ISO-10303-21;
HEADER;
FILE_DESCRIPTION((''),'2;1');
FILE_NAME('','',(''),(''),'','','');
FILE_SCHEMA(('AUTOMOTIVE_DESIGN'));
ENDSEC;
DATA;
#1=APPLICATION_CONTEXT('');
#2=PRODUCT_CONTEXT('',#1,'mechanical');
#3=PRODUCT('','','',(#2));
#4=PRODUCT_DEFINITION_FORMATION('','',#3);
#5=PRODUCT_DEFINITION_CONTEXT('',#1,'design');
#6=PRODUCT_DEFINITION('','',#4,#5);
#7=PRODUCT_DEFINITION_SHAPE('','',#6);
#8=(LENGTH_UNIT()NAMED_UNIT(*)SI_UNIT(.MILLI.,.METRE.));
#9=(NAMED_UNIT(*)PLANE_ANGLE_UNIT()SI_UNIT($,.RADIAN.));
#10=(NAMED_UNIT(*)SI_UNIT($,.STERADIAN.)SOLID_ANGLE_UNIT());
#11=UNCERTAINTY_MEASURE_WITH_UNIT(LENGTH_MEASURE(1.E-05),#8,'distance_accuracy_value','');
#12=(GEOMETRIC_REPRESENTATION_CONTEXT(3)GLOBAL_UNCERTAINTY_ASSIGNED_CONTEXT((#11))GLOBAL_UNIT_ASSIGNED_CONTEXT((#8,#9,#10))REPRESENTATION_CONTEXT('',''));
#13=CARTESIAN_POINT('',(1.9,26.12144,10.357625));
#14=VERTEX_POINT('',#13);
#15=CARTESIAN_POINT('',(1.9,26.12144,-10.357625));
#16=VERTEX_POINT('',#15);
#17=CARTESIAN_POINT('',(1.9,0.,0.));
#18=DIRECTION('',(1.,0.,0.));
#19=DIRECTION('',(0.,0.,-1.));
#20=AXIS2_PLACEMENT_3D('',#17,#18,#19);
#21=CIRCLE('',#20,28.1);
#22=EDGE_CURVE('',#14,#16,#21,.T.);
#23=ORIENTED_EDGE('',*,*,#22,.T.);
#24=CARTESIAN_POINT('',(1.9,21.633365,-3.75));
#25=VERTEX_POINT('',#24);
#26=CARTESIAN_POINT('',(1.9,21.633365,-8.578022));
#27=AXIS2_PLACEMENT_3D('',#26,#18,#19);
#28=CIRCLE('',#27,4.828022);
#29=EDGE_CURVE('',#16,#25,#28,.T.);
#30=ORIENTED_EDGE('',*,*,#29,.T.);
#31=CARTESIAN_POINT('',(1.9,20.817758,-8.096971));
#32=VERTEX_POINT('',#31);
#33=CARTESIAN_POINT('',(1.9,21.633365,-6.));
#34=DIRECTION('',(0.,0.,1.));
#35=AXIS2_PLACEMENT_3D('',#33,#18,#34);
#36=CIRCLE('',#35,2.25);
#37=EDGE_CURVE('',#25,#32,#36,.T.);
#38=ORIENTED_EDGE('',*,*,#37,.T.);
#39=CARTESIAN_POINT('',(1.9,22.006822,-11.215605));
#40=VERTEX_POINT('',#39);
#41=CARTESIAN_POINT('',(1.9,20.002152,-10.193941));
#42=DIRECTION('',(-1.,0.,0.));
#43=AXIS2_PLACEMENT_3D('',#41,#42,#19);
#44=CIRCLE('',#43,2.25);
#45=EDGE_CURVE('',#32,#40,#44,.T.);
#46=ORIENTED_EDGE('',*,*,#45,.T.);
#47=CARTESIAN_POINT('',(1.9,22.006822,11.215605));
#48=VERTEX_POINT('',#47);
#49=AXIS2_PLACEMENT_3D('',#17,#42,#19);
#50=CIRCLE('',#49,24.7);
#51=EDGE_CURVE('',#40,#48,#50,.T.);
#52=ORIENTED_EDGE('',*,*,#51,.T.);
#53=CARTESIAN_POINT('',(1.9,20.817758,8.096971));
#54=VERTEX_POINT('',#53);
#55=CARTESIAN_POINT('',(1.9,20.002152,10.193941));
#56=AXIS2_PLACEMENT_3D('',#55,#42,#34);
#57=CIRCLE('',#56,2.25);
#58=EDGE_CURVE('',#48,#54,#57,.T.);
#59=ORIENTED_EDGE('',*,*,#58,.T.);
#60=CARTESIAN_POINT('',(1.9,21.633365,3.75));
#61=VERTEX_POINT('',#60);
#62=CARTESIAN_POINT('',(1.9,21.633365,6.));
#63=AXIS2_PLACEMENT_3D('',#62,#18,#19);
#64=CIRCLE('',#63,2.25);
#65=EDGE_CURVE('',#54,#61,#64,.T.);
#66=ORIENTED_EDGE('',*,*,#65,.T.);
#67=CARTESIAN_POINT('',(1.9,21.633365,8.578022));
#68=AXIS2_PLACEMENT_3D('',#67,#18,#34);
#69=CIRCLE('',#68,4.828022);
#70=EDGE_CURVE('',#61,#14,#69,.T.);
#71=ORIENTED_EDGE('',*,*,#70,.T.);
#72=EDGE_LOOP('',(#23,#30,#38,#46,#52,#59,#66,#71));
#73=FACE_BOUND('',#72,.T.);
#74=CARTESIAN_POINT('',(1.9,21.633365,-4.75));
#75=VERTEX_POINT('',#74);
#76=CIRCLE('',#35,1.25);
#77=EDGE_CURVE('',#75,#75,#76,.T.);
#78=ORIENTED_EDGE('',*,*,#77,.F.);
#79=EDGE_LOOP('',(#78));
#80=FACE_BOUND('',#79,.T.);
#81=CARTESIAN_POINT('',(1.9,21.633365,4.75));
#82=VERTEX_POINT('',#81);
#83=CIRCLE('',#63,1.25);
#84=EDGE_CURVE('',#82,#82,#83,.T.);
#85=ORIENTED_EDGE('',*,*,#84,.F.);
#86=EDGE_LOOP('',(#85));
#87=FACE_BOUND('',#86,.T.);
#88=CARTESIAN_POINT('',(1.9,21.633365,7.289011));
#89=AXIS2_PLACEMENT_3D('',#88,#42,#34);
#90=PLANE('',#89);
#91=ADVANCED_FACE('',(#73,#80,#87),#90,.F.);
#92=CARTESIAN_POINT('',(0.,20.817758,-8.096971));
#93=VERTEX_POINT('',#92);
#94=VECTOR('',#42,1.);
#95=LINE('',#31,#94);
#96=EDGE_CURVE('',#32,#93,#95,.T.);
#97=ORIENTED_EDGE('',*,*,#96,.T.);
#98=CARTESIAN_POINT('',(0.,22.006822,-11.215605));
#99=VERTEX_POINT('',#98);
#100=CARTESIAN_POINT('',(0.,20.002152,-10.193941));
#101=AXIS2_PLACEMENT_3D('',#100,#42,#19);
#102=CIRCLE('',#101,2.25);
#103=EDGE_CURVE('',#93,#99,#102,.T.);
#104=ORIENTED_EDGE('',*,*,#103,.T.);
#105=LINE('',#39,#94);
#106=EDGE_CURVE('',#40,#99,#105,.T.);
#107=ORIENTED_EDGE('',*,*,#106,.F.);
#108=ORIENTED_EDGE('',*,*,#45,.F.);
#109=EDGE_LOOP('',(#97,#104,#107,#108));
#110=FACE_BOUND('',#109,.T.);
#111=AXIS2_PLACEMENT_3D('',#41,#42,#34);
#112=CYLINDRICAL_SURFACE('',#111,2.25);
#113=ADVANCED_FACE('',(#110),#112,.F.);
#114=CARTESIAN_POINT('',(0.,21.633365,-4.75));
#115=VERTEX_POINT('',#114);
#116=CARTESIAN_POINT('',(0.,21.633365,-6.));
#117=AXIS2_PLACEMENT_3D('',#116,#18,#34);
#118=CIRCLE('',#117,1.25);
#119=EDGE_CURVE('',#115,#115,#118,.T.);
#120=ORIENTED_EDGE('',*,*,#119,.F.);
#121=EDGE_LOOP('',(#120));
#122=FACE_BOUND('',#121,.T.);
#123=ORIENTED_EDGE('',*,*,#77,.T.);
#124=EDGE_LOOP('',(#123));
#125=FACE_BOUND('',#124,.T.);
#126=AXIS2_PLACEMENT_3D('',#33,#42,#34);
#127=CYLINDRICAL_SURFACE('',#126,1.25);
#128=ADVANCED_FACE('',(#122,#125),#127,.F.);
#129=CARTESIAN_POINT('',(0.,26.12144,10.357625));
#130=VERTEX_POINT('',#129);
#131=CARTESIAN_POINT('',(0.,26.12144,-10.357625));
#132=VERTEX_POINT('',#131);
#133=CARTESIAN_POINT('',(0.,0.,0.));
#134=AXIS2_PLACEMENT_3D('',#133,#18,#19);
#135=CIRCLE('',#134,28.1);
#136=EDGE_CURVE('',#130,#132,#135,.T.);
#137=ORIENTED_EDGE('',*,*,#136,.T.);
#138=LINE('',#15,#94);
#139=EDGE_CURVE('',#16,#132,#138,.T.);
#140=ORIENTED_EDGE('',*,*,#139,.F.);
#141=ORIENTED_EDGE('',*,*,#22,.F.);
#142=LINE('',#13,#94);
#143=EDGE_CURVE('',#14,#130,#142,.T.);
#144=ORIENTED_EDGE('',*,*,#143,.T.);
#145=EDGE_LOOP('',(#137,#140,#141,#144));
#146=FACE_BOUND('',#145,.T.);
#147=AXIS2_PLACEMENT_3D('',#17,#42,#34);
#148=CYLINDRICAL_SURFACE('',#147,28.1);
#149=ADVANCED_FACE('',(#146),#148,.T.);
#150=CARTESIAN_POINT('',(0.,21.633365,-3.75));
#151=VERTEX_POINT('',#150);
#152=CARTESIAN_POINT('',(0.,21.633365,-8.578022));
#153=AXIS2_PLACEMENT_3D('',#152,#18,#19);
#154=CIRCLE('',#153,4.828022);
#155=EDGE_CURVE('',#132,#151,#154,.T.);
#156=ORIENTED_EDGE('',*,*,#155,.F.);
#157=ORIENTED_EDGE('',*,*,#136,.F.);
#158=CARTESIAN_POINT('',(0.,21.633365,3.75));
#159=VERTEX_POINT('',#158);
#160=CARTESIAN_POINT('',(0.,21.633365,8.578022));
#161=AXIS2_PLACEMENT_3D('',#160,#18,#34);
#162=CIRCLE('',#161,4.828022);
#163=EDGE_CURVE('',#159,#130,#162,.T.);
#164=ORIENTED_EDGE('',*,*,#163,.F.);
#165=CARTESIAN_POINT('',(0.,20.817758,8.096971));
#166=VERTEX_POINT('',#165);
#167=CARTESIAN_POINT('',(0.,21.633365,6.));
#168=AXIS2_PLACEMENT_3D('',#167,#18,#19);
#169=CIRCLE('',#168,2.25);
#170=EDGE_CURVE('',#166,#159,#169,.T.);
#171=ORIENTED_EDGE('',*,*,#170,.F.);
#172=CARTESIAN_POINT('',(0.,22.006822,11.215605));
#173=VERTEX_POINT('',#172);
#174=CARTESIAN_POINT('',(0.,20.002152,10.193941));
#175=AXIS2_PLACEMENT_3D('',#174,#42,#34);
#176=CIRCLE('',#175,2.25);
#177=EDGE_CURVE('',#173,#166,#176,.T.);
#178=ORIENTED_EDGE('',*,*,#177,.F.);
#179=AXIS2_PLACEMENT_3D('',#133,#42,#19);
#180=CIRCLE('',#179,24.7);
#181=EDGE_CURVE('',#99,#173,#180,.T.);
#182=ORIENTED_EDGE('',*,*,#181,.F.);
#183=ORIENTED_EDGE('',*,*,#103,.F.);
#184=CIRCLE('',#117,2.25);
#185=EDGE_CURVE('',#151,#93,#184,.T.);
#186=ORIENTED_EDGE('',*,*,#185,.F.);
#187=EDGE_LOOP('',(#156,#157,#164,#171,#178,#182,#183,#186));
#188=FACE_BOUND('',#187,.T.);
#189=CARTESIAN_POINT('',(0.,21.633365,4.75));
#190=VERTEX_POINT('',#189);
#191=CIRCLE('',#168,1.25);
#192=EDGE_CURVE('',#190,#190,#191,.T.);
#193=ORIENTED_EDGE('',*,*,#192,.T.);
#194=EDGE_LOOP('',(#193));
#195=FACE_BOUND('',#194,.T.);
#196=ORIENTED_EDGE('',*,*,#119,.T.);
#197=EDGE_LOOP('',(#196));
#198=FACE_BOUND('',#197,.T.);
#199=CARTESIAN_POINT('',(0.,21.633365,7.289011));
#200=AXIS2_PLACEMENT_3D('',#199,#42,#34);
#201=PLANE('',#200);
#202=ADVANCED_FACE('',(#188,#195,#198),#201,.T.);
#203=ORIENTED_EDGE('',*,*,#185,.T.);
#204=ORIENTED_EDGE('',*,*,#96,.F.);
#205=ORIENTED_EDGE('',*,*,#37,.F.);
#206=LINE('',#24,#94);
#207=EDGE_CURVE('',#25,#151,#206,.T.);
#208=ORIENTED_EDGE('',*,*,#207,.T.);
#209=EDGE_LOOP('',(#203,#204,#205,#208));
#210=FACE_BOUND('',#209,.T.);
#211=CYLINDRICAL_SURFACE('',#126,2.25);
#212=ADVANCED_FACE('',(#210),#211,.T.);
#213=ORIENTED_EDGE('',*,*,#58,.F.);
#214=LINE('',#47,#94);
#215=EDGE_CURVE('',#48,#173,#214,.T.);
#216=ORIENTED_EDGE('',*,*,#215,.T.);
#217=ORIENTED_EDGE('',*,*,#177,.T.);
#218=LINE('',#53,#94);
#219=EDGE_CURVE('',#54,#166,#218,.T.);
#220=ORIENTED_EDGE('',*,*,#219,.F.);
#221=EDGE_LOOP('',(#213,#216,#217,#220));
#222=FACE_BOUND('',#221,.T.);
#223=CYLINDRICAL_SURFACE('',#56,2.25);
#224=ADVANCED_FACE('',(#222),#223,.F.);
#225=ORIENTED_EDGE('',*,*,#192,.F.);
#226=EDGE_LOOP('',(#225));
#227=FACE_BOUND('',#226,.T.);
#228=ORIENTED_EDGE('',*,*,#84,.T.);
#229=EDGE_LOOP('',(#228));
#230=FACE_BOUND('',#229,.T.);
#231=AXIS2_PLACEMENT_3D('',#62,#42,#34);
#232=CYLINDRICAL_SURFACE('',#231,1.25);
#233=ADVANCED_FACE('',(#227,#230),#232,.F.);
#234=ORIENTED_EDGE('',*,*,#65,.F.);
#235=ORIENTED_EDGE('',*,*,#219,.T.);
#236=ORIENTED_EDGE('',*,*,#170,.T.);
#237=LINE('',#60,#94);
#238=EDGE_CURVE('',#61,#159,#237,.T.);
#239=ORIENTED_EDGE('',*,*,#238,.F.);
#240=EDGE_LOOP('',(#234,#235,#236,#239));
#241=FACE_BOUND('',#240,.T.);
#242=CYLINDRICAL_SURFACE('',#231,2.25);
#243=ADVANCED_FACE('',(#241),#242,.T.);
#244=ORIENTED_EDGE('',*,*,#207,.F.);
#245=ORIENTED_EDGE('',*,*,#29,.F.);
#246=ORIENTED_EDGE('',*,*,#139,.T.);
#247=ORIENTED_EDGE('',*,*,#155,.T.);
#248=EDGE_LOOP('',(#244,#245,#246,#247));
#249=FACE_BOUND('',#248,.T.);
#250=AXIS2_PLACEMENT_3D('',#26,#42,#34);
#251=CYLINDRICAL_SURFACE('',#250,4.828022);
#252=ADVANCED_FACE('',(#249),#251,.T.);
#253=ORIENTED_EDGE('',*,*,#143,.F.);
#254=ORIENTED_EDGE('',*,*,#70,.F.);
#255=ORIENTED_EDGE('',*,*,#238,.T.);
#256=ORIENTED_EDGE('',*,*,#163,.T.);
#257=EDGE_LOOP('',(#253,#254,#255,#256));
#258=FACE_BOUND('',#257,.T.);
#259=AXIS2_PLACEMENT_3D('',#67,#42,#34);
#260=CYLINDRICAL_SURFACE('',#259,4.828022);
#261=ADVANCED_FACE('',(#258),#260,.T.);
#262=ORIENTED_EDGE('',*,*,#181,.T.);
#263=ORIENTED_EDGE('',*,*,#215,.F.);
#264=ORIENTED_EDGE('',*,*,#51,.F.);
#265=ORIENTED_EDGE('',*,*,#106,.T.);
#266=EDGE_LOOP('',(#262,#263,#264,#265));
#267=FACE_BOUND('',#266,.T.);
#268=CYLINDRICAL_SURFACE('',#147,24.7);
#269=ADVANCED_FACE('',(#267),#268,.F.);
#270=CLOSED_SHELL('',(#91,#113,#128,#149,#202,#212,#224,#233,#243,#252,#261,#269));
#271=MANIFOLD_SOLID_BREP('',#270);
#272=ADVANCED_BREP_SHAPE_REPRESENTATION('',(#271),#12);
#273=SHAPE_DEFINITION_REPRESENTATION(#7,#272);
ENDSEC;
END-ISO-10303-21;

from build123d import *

# Parameters (mm, degrees)
SKETCH_1_R      = 1.25
EXTRUDE_1_DEPTH = 1.9


with BuildPart() as part:
    # Эскиз1 → Бобышка-Вытянуть1 (new body)
    with BuildSketch(Plane(origin=(0, 0, 0), x_dir=(0, 0, -1), z_dir=(1, 0, 0))):
        with BuildLine():
            ThreePointArc((-10.357624838, 26.121439618), (0, -28.1), (10.357624838, 26.121439618))
            ThreePointArc((10.357624838, 26.121439618), (5.865289545, 25.627220585), (3.75, 21.633365434))
            ThreePointArc((3.75, 21.633365434), (5.585080517, 19.421953708), (8.096970509, 20.817758491))
            ThreePointArc((8.096970509, 20.817758491), (9.392356028, 22.104521997), (11.215605485, 22.006821525))
            ThreePointArc((11.215605485, 22.006821525), (0, -24.7), (-11.215605485, 22.006821525))
            ThreePointArc((-11.215605485, 22.006821525), (-9.392356028, 22.104521997), (-8.096970509, 20.817758491))
            ThreePointArc((-8.096970509, 20.817758491), (-5.585080517, 19.421953708), (-3.75, 21.633365434))
            ThreePointArc((-3.75, 21.633365434), (-5.865289545, 25.627220585), (-10.357624838, 26.121439618))
        make_face()
        with Locations((-6, 21.633365434)):
            Circle(SKETCH_1_R, mode=Mode.SUBTRACT)
        with Locations((6, 21.633365434)):
            Circle(SKETCH_1_R, mode=Mode.SUBTRACT)
    extrude(amount=EXTRUDE_1_DEPTH)


solid = part.part
